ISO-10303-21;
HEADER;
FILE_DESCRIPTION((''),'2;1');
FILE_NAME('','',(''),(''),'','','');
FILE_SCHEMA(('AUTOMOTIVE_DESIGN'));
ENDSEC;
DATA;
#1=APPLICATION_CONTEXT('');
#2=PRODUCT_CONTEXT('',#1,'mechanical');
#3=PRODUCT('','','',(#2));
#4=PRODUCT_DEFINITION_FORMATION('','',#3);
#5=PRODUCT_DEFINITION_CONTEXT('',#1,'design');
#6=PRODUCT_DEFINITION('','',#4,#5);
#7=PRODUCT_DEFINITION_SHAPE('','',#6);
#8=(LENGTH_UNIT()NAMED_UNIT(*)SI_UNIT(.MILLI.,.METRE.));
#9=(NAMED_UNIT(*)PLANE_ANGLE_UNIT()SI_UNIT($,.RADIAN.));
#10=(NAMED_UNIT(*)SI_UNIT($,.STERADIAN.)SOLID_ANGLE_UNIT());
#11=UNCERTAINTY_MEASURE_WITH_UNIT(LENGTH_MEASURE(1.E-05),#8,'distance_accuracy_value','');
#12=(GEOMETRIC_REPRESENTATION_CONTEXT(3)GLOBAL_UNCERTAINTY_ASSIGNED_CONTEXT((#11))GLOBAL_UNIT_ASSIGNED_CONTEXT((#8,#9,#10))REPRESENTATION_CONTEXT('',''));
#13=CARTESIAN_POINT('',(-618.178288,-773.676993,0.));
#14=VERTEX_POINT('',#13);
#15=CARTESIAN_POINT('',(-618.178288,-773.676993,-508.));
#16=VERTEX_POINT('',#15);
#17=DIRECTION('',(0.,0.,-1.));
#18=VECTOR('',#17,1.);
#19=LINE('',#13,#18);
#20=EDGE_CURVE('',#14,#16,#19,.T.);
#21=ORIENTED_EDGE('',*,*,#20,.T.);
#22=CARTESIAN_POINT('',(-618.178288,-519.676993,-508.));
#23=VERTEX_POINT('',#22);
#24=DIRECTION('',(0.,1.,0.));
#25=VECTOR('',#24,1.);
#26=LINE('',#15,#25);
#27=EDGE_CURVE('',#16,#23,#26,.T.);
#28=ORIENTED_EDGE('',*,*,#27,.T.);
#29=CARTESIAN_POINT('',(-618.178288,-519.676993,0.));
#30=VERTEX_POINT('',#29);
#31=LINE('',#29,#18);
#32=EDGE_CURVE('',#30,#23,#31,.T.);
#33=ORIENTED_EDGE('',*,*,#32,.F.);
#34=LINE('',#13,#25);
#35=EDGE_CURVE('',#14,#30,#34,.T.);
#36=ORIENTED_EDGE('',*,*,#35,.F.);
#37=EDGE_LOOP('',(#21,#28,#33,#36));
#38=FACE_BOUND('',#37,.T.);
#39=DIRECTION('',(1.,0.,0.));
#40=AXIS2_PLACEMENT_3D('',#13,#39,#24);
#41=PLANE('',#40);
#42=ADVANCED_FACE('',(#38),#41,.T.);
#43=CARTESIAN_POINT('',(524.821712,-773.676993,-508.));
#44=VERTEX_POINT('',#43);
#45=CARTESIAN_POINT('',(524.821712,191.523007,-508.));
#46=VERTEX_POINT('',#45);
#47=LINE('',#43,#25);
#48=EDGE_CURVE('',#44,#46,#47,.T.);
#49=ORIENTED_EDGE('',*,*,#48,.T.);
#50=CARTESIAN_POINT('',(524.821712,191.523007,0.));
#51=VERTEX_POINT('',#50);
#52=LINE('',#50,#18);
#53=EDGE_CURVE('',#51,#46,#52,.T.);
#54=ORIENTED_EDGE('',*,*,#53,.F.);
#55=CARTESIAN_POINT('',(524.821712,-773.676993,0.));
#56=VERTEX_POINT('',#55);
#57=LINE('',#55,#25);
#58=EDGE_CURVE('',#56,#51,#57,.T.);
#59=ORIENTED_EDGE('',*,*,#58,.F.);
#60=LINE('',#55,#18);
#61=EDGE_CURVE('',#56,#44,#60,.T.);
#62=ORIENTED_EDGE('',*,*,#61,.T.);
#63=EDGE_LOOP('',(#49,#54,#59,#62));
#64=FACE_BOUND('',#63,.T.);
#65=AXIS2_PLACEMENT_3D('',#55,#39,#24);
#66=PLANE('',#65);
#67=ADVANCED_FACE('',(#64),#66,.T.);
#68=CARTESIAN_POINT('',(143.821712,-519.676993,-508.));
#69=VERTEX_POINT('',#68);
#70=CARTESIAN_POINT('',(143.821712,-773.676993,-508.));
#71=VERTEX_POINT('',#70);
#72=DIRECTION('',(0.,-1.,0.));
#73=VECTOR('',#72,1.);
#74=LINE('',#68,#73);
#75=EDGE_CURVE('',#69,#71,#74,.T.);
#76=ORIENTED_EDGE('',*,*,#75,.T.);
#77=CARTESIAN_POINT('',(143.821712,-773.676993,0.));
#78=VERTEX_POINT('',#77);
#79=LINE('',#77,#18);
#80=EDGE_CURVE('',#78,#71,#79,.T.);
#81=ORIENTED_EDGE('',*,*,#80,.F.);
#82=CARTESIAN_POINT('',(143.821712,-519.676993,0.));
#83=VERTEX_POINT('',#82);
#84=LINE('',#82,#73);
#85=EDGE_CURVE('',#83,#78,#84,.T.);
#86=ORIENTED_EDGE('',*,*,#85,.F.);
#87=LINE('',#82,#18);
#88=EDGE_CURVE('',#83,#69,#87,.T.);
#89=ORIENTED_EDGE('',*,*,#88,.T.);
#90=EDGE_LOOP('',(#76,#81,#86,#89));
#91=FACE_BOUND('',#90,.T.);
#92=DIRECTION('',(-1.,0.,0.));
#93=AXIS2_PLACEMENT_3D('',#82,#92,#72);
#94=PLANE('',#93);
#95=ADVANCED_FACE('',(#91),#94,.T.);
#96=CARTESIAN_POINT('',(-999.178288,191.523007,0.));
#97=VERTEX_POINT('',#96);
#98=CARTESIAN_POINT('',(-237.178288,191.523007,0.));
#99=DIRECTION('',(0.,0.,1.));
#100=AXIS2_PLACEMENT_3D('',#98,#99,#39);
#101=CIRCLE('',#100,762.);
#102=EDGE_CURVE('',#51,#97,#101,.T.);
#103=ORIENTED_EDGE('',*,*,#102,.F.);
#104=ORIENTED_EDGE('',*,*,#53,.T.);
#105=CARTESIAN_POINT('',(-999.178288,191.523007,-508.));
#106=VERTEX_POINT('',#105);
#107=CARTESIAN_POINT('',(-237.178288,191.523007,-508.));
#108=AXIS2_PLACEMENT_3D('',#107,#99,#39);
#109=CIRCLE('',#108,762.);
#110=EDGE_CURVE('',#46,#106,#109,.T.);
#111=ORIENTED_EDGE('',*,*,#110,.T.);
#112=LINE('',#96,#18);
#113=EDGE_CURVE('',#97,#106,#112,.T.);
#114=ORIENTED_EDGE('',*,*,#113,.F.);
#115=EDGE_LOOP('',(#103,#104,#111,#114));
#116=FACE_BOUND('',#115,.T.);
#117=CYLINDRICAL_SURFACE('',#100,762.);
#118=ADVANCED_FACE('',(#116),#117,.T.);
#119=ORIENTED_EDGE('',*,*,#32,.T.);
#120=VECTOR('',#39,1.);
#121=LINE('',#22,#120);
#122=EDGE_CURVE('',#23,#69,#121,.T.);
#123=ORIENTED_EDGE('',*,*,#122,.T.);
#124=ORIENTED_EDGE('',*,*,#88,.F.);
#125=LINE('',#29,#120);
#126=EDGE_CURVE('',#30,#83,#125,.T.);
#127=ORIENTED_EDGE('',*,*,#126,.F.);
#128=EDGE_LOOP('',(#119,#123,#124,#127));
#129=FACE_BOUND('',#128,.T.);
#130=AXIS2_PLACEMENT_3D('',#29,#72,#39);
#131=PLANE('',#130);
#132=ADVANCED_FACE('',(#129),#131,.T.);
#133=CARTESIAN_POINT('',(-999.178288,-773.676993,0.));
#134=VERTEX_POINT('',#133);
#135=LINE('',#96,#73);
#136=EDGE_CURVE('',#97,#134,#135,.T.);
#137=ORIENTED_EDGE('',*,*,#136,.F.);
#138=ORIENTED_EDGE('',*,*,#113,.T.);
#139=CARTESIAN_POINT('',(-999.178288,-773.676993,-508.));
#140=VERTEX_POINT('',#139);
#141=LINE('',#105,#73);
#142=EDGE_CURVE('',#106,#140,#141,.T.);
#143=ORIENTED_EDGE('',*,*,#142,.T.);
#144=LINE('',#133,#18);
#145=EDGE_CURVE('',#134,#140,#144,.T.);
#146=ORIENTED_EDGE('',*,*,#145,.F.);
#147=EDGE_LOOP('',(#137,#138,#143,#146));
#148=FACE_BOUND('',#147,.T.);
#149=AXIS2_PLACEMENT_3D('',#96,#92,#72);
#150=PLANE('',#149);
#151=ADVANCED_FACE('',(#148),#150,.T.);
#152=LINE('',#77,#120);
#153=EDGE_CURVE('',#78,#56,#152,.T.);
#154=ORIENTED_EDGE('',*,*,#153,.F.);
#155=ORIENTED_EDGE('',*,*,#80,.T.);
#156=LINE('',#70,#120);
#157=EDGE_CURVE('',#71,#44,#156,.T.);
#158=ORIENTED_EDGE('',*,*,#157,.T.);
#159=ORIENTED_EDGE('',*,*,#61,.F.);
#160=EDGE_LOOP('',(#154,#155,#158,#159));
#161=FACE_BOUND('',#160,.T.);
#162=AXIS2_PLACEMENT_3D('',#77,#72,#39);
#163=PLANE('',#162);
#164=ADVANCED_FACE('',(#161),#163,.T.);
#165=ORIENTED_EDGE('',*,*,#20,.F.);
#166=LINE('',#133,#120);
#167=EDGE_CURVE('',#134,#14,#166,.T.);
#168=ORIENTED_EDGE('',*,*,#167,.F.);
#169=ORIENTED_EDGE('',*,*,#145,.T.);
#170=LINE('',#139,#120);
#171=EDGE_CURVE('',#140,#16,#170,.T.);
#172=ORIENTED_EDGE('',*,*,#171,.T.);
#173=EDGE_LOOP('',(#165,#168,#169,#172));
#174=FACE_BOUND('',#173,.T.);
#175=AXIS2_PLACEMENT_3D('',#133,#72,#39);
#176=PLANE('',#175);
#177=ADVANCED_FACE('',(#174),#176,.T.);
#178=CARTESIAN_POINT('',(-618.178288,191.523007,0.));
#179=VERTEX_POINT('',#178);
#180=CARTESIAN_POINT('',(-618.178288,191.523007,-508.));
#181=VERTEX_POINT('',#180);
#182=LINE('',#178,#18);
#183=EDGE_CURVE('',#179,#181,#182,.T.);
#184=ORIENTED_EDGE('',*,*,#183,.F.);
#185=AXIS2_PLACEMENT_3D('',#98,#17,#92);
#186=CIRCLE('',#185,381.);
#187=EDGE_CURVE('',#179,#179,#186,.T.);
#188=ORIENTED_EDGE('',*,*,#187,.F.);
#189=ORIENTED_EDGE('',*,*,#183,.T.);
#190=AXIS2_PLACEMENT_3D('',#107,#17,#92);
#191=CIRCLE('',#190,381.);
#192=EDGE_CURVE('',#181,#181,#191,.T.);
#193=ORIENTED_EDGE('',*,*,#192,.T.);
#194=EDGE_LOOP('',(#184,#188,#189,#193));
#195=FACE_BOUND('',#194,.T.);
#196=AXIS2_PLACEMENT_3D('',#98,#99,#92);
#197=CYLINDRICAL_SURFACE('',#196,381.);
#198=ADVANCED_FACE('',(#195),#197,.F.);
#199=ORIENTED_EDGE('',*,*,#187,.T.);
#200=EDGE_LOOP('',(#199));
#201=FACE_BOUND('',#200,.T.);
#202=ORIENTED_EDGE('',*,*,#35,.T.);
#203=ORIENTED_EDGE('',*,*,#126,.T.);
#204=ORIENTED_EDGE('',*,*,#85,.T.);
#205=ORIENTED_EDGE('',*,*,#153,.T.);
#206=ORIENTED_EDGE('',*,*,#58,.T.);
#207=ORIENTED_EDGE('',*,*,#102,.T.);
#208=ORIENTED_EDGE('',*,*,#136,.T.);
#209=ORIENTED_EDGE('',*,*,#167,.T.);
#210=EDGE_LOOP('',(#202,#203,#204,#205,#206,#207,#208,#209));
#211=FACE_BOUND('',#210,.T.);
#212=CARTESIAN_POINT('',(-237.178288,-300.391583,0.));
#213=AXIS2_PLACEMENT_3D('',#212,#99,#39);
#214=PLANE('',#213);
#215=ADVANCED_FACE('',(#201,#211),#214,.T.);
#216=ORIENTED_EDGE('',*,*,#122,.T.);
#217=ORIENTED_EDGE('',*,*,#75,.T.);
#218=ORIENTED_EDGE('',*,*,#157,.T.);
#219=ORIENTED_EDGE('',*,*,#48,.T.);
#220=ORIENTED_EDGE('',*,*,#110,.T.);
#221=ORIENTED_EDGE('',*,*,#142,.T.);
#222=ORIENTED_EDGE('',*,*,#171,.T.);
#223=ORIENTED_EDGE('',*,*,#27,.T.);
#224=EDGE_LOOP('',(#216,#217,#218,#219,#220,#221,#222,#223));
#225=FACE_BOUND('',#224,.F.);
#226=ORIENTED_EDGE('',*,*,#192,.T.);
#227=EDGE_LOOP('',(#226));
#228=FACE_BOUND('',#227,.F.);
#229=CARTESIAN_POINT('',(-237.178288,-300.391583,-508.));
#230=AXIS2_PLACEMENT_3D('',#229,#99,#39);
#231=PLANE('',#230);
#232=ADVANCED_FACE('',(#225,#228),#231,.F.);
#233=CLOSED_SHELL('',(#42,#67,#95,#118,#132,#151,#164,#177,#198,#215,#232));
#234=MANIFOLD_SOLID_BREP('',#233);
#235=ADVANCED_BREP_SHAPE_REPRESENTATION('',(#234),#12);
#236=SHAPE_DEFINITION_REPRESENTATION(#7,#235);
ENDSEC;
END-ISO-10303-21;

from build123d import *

# Parameters (mm, degrees)
F2_DEPTH = 508


with BuildPart() as f2:
    # F0 (on Top) → F2 (new body)
    with BuildSketch(Plane.XY):
        with BuildLine():
            Line((524.8217124201, -773.6769930978), (524.8217124201, 191.5230069022))
            Line((524.8217124201, 191.5230069022), (143.8217124201, 191.5230069022))
            ThreePointArc((143.8217124201, 191.5230069022), (-237.1782875799, -189.4769930978), (-618.1782875799, 191.5230069022))
            Line((-618.1782875799, 191.5230069022), (-999.1782875799, 191.5230069022))
            Line((-999.1782875799, 191.5230069022), (-999.1782875799, -773.6769930978))
            Line((-999.1782875799, -773.6769930978), (-618.1782875799, -773.6769930978))
            Line((-618.1782875799, -773.6769930978), (-618.1782875799, -519.6769930978))
            Line((-618.1782875799, -519.6769930978), (143.8217124201, -519.6769930978))
            Line((143.8217124201, -519.6769930978), (143.8217124201, -773.6769930978))
            Line((143.8217124201, -773.6769930978), (524.8217124201, -773.6769930978))
        make_face()
        with BuildLine():
            Line((143.8217124201, 191.5230069022), (524.8217124201, 191.5230069022))
            ThreePointArc((524.8217124201, 191.5230069022), (-237.1782875799, 953.5230069022), (-999.1782875799, 191.5230069022))
            Line((-999.1782875799, 191.5230069022), (-618.1782875799, 191.5230069022))
            ThreePointArc((-618.1782875799, 191.5230069022), (-237.1782875799, 572.5230069022), (143.8217124201, 191.5230069022))
        make_face()
    extrude(amount=-F2_DEPTH)


solid = f2.part
